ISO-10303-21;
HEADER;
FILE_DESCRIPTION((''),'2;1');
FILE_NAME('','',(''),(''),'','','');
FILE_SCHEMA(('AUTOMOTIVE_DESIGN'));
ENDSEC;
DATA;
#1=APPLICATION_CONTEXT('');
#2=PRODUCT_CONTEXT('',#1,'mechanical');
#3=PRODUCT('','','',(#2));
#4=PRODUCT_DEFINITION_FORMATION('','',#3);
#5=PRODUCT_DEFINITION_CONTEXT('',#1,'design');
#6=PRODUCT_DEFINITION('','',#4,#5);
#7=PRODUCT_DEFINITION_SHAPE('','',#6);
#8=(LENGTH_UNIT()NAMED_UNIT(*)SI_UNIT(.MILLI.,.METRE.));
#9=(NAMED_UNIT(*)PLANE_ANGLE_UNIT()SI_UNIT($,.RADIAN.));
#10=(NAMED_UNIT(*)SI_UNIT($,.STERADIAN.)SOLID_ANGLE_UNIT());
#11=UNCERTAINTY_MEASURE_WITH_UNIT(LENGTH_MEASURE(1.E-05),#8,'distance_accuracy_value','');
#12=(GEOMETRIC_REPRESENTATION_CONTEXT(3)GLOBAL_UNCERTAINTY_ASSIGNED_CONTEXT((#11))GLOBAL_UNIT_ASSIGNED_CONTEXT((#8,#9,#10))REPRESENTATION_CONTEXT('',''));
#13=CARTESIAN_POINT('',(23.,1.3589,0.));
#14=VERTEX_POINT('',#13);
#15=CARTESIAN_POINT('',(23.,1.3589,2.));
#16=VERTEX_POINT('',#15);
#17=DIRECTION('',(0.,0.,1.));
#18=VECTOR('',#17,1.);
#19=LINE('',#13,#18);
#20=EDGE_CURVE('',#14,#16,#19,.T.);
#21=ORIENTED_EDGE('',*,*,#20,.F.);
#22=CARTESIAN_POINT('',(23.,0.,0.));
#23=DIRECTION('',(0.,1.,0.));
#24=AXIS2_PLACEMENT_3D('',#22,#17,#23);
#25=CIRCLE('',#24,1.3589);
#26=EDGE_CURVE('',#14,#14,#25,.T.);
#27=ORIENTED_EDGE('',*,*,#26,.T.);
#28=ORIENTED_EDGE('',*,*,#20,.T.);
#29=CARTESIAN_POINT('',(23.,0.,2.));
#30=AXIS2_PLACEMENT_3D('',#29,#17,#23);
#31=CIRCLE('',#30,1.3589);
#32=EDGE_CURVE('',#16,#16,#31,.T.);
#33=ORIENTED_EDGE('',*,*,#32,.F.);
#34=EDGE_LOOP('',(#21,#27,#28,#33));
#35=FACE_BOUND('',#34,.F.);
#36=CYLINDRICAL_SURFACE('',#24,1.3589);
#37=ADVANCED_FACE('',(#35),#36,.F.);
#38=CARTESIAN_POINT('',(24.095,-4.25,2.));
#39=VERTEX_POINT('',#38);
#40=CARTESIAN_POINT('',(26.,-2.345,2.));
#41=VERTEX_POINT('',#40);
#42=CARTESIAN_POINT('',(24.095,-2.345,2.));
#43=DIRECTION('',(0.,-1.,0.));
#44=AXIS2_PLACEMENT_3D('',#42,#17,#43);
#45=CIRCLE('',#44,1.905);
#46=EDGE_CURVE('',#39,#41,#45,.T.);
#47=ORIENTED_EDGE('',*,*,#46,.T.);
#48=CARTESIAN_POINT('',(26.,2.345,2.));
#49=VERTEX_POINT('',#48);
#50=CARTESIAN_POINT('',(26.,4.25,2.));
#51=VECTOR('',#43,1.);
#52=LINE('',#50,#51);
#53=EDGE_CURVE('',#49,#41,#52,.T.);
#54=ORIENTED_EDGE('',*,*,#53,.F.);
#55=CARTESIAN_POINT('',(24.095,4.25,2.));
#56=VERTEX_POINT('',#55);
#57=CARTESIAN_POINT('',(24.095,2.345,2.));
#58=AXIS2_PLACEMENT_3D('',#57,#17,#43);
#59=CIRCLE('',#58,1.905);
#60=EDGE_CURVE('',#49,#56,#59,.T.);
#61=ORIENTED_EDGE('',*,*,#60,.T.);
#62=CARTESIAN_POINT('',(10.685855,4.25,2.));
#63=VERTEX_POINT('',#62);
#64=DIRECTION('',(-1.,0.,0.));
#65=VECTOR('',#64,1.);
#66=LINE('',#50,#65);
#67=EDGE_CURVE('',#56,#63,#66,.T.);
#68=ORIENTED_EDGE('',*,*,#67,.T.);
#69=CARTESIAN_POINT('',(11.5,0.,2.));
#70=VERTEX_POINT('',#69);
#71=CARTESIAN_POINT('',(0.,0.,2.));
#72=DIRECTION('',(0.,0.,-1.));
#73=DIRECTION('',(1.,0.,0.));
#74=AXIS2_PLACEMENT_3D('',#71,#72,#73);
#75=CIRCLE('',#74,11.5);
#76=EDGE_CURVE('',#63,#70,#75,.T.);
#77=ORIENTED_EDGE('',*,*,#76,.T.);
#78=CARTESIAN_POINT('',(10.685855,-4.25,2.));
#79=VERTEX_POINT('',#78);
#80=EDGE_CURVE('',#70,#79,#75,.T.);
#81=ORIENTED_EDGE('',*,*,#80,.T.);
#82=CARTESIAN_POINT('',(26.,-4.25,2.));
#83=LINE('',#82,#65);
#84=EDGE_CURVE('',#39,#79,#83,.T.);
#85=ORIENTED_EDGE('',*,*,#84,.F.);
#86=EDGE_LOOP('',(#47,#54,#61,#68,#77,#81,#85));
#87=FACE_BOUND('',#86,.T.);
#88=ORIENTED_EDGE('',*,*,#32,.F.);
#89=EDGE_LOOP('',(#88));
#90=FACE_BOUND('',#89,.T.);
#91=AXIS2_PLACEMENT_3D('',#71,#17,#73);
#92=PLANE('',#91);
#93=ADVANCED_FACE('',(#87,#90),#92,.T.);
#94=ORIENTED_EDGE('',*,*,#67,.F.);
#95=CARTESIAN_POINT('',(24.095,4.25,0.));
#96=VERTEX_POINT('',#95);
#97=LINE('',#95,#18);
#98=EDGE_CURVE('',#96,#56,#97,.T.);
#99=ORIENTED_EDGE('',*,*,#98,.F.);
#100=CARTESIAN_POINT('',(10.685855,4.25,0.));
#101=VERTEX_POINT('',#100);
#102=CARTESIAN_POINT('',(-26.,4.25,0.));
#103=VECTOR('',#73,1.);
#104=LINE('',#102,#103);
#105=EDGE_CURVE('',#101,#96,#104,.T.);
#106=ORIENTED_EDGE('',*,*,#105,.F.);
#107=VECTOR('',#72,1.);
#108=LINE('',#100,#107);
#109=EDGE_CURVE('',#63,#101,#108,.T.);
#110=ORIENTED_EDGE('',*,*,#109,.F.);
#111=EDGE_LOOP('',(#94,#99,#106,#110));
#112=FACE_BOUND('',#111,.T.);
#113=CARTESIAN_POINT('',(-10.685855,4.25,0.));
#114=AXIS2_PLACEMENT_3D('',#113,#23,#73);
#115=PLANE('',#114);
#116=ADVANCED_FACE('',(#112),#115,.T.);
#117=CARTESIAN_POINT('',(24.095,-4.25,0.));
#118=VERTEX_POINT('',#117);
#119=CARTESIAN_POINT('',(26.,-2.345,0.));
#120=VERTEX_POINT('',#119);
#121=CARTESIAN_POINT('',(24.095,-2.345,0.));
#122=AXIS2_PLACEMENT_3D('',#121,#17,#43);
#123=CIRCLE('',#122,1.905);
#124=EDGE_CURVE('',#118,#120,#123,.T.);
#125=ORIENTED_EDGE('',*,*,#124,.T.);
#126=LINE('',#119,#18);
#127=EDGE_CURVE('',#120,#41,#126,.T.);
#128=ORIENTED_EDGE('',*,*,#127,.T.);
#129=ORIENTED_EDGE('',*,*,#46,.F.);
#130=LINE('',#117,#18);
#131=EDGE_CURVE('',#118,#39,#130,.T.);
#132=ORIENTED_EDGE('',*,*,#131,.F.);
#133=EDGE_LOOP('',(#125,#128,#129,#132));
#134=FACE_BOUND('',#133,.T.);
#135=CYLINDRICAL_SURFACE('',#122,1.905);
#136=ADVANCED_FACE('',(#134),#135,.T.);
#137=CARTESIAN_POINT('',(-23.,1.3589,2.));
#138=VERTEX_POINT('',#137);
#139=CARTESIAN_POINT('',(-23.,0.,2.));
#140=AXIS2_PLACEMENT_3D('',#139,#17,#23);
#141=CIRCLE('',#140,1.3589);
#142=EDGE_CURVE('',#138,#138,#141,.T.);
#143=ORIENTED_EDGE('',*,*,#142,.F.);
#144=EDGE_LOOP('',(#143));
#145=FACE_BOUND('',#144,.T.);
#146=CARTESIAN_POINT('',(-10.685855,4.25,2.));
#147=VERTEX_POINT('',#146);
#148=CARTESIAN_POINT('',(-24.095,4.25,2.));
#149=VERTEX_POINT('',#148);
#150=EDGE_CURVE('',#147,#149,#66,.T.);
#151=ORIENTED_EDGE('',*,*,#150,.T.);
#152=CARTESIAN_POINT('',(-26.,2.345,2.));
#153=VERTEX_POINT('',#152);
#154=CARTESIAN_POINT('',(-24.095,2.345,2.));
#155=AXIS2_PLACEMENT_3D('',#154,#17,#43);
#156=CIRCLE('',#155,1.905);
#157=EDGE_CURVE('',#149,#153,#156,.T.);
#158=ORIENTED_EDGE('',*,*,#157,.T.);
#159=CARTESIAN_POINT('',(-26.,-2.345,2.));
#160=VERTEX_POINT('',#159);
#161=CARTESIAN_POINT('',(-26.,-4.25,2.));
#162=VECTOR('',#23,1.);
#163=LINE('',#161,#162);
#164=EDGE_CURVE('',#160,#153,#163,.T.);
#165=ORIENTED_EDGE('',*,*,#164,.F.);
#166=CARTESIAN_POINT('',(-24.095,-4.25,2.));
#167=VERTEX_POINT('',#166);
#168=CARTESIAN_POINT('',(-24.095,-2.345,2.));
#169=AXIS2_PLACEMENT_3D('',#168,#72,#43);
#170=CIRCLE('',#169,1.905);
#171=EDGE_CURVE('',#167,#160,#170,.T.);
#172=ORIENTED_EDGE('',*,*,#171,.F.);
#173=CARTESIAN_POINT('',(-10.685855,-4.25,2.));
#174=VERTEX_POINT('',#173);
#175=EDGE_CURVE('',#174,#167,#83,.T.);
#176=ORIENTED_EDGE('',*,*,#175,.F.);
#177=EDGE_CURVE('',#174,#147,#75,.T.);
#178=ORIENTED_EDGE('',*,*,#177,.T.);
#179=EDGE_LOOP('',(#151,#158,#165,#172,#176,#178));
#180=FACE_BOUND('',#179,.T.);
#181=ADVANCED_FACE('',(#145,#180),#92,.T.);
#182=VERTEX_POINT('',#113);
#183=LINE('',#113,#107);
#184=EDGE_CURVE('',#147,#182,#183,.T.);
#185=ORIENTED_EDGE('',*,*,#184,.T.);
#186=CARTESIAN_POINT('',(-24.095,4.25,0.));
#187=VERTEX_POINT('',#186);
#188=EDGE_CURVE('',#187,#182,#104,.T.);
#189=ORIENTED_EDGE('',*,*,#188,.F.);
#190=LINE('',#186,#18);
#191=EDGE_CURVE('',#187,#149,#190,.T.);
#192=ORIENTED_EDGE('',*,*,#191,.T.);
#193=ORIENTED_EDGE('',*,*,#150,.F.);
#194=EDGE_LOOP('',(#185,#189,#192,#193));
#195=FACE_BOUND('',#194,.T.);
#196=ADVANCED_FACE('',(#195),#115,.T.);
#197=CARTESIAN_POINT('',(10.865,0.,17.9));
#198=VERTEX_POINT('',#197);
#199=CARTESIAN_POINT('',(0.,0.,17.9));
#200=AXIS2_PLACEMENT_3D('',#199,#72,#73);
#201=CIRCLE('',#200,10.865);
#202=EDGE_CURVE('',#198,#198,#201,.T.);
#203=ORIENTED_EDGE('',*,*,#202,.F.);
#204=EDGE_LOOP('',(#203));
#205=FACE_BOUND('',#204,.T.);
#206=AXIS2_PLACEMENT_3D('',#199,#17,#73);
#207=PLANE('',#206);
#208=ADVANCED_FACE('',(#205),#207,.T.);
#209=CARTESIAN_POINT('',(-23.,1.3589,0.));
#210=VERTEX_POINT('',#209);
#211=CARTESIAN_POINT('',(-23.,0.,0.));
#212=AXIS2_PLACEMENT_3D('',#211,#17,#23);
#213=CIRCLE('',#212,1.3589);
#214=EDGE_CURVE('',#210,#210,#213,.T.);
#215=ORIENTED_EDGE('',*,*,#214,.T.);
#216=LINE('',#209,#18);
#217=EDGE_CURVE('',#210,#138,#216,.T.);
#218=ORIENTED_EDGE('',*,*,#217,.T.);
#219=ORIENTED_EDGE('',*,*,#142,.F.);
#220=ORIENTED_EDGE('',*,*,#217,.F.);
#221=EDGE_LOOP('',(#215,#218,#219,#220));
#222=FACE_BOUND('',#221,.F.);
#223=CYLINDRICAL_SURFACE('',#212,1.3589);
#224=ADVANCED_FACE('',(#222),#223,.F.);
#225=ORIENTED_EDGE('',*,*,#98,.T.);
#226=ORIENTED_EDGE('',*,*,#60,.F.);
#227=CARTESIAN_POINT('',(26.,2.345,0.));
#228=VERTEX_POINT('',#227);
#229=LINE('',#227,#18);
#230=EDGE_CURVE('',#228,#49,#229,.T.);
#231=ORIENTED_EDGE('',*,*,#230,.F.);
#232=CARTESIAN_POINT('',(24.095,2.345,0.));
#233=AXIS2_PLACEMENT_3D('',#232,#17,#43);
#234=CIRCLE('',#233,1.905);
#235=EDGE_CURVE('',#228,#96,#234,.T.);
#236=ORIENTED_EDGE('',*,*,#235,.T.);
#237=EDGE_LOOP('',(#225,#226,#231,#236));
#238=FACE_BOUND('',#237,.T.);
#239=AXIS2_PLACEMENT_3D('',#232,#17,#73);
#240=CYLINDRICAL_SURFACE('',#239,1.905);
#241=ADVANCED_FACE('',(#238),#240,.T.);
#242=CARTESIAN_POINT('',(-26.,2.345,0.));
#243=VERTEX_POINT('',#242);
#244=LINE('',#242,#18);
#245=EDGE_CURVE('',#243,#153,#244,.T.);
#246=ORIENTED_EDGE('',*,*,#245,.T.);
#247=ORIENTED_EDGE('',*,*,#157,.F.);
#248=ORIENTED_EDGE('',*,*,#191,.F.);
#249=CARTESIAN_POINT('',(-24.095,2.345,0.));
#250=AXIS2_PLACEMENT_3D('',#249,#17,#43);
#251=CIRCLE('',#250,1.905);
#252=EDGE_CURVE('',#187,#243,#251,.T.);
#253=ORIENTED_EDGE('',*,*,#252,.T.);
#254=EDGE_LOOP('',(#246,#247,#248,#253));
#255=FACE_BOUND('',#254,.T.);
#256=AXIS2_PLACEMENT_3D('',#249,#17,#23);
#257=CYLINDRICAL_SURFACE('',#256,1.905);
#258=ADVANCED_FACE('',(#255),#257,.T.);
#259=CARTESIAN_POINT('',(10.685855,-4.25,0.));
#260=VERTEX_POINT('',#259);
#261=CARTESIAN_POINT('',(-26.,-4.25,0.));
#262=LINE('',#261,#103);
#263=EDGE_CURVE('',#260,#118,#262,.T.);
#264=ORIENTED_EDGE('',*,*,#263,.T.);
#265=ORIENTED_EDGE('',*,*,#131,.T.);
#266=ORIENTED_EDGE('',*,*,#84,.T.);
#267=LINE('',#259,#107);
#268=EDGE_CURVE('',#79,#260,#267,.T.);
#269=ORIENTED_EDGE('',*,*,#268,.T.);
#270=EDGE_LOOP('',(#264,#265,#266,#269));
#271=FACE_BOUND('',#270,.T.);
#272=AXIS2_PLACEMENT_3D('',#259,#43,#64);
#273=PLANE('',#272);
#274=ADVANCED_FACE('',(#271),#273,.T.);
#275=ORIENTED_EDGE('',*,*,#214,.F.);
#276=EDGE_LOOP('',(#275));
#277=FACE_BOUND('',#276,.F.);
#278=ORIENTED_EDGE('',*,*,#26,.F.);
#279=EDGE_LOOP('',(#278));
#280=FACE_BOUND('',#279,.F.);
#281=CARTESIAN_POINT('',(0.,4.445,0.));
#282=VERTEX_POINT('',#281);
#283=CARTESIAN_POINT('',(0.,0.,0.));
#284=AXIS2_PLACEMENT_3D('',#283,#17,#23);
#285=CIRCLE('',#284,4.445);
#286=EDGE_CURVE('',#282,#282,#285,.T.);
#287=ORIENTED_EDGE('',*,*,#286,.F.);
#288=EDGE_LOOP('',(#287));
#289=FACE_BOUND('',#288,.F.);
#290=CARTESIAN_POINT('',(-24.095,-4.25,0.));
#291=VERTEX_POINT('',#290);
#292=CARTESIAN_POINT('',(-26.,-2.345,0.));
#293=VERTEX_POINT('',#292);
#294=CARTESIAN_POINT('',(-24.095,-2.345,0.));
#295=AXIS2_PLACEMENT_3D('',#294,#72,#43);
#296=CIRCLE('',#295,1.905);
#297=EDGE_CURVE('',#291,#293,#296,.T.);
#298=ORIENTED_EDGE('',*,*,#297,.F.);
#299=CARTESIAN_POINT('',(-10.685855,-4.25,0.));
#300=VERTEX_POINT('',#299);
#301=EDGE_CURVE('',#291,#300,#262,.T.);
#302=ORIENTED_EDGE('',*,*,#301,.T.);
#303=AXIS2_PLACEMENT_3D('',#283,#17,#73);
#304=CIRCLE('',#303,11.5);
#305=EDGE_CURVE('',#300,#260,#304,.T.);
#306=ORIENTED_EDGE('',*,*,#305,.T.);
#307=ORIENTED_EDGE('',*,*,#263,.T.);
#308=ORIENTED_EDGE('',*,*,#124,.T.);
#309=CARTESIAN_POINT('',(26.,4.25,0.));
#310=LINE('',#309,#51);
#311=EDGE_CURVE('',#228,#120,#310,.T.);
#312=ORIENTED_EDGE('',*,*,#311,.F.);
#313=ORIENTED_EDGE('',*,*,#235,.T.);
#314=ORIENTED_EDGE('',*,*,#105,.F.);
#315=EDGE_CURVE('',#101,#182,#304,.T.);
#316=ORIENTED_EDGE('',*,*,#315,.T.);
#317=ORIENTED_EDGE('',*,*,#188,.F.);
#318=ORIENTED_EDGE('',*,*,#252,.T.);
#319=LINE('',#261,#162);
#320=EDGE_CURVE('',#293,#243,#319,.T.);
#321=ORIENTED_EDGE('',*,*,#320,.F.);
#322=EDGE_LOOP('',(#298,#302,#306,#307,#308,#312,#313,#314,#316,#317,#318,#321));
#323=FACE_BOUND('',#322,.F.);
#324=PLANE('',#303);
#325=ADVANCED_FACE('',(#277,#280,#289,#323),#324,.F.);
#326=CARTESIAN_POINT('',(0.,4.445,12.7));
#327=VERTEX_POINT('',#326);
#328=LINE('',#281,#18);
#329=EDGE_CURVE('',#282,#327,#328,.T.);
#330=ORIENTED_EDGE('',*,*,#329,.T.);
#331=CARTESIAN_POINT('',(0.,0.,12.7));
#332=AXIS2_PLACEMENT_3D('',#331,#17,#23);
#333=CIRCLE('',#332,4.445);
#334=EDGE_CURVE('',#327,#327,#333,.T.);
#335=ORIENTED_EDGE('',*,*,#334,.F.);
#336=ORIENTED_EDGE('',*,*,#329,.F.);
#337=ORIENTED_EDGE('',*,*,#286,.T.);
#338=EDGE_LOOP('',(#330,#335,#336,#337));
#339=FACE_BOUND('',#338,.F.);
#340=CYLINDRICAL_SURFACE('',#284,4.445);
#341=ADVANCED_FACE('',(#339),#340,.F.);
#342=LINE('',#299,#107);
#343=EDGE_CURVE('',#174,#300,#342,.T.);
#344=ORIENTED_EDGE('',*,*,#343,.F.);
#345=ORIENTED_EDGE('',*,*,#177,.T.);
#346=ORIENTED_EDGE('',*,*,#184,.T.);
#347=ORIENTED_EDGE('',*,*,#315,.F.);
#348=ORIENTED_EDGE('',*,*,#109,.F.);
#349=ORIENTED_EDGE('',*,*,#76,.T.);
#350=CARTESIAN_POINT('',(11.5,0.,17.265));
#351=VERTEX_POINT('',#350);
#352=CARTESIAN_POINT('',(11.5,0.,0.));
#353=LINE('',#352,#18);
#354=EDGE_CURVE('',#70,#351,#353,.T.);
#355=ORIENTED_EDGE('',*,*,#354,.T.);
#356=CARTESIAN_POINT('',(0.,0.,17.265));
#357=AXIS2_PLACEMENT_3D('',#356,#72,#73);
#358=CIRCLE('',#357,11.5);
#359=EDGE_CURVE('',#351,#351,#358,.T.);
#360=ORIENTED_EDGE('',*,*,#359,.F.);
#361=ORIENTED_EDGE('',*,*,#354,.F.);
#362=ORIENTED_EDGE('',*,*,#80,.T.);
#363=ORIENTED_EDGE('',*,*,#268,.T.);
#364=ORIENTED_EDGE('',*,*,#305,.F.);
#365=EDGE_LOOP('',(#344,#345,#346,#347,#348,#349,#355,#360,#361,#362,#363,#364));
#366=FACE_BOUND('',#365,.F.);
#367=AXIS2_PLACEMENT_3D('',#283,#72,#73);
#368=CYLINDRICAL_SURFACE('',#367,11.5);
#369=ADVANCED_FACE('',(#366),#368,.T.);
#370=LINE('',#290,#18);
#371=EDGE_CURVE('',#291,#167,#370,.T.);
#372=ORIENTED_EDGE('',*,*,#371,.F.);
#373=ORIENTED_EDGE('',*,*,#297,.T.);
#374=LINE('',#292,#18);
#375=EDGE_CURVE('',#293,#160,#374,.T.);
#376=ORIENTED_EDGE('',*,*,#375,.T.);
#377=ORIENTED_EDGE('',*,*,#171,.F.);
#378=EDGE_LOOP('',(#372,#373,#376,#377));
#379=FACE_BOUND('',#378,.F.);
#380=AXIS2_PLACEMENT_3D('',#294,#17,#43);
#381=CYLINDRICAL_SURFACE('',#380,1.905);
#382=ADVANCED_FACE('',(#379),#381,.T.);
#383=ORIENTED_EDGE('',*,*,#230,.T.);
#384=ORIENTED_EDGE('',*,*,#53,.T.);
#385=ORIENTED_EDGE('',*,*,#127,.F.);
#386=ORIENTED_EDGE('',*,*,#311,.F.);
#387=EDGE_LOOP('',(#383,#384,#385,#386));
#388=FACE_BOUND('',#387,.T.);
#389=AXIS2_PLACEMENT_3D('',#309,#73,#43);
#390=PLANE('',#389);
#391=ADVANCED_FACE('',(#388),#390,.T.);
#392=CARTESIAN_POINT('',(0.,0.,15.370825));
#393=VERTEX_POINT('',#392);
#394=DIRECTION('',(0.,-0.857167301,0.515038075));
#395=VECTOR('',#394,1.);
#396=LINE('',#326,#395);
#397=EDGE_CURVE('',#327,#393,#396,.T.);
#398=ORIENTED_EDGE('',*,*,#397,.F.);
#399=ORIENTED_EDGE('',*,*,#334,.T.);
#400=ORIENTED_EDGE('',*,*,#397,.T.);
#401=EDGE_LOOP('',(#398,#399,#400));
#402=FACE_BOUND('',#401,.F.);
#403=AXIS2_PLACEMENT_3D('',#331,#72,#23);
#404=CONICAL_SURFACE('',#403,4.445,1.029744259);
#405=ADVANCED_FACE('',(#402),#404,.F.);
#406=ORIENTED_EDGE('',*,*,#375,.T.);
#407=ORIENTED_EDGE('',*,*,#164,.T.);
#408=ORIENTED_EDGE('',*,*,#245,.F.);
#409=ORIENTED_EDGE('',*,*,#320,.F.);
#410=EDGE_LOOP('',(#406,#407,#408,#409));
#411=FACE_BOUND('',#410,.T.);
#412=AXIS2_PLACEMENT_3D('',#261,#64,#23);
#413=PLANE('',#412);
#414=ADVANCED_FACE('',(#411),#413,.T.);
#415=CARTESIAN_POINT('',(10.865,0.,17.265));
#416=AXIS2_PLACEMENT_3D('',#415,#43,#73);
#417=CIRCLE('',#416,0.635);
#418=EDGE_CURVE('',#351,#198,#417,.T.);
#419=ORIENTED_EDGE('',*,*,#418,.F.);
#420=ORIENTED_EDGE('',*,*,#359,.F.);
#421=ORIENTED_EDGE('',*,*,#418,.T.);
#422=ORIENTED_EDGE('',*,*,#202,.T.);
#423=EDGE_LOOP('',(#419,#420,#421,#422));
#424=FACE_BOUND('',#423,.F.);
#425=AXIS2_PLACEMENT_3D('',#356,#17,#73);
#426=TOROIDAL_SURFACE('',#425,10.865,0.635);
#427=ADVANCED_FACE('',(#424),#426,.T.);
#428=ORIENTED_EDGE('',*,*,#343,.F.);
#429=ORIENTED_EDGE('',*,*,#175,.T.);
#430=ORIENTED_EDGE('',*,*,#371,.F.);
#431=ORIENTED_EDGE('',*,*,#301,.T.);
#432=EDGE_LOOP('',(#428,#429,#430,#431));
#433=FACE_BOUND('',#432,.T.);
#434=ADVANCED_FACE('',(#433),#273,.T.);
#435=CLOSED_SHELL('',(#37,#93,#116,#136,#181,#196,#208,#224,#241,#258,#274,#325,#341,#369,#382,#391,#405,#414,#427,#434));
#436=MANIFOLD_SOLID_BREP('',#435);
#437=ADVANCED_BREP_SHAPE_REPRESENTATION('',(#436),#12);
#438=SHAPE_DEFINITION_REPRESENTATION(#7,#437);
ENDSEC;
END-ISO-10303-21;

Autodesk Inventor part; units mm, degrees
ref_plane "YZ Plane" through (0, 0, 0) normal (1, 0, 0) x (0, 1, 0)
ref_plane "XZ Plane" through (0, 0, 0) normal (0, 1, 0) x (-1, 0, 0)
ref_plane "XY Plane" through (0, 0, 0) normal (0, 0, 1) x (1, 0, 0)
sketch "Sketch1" plane through (0, 0, 0) normal (0, 0, 1) x (1, 0, 0)
  circle A0 centre (0, 0) radius 11.5
  line L0 (-26, 4.25) -> (26, 4.25)
  line L1 (26, 4.25) -> (26, -4.25)
  line L2 (26, -4.25) -> (-26, -4.25)
  line L3 (-26, -4.25) -> (-26, 4.25)
  point P0 (-26, 0)
  point P1 (0, 4.25)
  dimension "d0" = 23
  dimension "d1" = 52
  dimension "d2" = 8.5
extrude "Extrusion1" add sketch "Sketch1" along normal blind 2 contours A0 L2 L0 | A0 L0 L1 L2 | A0 L2 L3 L0
extrude "Extrusion2" add sketch "Sketch1" along normal blind 17.9 contours A0 L2 L0 | L0 A0 | A0 L2
sketch "Sketch2" plane through (0, 0, 0) normal (0, 0, 1) x (1, 0, 0)
  line L0 (-27.9259, 0) -> (33.5172, 0) construction
  point P0 (0, 0)
  point P1 (-23, 0)
  point P2 (23, 0)
  dimension "d7" = 0
  dimension "d8" = 23
  dimension "d9" = 23
hole "Hole1" at (-23, 0, 0) at (23, 0, 0) direction (0, 0, 1) diameter 2.7178 end through all
fillet "Fillet1" radius 1.905 4 edges at (-26, -4.25, 1) (26, -4.25, 1) (26, 4.25, 1) (-26, 4.25, 1)
fillet "Fillet2" radius 0.635 1 edges at (-11.5, 0, 17.9)
hole "Hole2" at (0, 0, 0) direction (0, 0, 1) diameter 8.89 depth 12.7 tip angle 118
properties material "FR4"
